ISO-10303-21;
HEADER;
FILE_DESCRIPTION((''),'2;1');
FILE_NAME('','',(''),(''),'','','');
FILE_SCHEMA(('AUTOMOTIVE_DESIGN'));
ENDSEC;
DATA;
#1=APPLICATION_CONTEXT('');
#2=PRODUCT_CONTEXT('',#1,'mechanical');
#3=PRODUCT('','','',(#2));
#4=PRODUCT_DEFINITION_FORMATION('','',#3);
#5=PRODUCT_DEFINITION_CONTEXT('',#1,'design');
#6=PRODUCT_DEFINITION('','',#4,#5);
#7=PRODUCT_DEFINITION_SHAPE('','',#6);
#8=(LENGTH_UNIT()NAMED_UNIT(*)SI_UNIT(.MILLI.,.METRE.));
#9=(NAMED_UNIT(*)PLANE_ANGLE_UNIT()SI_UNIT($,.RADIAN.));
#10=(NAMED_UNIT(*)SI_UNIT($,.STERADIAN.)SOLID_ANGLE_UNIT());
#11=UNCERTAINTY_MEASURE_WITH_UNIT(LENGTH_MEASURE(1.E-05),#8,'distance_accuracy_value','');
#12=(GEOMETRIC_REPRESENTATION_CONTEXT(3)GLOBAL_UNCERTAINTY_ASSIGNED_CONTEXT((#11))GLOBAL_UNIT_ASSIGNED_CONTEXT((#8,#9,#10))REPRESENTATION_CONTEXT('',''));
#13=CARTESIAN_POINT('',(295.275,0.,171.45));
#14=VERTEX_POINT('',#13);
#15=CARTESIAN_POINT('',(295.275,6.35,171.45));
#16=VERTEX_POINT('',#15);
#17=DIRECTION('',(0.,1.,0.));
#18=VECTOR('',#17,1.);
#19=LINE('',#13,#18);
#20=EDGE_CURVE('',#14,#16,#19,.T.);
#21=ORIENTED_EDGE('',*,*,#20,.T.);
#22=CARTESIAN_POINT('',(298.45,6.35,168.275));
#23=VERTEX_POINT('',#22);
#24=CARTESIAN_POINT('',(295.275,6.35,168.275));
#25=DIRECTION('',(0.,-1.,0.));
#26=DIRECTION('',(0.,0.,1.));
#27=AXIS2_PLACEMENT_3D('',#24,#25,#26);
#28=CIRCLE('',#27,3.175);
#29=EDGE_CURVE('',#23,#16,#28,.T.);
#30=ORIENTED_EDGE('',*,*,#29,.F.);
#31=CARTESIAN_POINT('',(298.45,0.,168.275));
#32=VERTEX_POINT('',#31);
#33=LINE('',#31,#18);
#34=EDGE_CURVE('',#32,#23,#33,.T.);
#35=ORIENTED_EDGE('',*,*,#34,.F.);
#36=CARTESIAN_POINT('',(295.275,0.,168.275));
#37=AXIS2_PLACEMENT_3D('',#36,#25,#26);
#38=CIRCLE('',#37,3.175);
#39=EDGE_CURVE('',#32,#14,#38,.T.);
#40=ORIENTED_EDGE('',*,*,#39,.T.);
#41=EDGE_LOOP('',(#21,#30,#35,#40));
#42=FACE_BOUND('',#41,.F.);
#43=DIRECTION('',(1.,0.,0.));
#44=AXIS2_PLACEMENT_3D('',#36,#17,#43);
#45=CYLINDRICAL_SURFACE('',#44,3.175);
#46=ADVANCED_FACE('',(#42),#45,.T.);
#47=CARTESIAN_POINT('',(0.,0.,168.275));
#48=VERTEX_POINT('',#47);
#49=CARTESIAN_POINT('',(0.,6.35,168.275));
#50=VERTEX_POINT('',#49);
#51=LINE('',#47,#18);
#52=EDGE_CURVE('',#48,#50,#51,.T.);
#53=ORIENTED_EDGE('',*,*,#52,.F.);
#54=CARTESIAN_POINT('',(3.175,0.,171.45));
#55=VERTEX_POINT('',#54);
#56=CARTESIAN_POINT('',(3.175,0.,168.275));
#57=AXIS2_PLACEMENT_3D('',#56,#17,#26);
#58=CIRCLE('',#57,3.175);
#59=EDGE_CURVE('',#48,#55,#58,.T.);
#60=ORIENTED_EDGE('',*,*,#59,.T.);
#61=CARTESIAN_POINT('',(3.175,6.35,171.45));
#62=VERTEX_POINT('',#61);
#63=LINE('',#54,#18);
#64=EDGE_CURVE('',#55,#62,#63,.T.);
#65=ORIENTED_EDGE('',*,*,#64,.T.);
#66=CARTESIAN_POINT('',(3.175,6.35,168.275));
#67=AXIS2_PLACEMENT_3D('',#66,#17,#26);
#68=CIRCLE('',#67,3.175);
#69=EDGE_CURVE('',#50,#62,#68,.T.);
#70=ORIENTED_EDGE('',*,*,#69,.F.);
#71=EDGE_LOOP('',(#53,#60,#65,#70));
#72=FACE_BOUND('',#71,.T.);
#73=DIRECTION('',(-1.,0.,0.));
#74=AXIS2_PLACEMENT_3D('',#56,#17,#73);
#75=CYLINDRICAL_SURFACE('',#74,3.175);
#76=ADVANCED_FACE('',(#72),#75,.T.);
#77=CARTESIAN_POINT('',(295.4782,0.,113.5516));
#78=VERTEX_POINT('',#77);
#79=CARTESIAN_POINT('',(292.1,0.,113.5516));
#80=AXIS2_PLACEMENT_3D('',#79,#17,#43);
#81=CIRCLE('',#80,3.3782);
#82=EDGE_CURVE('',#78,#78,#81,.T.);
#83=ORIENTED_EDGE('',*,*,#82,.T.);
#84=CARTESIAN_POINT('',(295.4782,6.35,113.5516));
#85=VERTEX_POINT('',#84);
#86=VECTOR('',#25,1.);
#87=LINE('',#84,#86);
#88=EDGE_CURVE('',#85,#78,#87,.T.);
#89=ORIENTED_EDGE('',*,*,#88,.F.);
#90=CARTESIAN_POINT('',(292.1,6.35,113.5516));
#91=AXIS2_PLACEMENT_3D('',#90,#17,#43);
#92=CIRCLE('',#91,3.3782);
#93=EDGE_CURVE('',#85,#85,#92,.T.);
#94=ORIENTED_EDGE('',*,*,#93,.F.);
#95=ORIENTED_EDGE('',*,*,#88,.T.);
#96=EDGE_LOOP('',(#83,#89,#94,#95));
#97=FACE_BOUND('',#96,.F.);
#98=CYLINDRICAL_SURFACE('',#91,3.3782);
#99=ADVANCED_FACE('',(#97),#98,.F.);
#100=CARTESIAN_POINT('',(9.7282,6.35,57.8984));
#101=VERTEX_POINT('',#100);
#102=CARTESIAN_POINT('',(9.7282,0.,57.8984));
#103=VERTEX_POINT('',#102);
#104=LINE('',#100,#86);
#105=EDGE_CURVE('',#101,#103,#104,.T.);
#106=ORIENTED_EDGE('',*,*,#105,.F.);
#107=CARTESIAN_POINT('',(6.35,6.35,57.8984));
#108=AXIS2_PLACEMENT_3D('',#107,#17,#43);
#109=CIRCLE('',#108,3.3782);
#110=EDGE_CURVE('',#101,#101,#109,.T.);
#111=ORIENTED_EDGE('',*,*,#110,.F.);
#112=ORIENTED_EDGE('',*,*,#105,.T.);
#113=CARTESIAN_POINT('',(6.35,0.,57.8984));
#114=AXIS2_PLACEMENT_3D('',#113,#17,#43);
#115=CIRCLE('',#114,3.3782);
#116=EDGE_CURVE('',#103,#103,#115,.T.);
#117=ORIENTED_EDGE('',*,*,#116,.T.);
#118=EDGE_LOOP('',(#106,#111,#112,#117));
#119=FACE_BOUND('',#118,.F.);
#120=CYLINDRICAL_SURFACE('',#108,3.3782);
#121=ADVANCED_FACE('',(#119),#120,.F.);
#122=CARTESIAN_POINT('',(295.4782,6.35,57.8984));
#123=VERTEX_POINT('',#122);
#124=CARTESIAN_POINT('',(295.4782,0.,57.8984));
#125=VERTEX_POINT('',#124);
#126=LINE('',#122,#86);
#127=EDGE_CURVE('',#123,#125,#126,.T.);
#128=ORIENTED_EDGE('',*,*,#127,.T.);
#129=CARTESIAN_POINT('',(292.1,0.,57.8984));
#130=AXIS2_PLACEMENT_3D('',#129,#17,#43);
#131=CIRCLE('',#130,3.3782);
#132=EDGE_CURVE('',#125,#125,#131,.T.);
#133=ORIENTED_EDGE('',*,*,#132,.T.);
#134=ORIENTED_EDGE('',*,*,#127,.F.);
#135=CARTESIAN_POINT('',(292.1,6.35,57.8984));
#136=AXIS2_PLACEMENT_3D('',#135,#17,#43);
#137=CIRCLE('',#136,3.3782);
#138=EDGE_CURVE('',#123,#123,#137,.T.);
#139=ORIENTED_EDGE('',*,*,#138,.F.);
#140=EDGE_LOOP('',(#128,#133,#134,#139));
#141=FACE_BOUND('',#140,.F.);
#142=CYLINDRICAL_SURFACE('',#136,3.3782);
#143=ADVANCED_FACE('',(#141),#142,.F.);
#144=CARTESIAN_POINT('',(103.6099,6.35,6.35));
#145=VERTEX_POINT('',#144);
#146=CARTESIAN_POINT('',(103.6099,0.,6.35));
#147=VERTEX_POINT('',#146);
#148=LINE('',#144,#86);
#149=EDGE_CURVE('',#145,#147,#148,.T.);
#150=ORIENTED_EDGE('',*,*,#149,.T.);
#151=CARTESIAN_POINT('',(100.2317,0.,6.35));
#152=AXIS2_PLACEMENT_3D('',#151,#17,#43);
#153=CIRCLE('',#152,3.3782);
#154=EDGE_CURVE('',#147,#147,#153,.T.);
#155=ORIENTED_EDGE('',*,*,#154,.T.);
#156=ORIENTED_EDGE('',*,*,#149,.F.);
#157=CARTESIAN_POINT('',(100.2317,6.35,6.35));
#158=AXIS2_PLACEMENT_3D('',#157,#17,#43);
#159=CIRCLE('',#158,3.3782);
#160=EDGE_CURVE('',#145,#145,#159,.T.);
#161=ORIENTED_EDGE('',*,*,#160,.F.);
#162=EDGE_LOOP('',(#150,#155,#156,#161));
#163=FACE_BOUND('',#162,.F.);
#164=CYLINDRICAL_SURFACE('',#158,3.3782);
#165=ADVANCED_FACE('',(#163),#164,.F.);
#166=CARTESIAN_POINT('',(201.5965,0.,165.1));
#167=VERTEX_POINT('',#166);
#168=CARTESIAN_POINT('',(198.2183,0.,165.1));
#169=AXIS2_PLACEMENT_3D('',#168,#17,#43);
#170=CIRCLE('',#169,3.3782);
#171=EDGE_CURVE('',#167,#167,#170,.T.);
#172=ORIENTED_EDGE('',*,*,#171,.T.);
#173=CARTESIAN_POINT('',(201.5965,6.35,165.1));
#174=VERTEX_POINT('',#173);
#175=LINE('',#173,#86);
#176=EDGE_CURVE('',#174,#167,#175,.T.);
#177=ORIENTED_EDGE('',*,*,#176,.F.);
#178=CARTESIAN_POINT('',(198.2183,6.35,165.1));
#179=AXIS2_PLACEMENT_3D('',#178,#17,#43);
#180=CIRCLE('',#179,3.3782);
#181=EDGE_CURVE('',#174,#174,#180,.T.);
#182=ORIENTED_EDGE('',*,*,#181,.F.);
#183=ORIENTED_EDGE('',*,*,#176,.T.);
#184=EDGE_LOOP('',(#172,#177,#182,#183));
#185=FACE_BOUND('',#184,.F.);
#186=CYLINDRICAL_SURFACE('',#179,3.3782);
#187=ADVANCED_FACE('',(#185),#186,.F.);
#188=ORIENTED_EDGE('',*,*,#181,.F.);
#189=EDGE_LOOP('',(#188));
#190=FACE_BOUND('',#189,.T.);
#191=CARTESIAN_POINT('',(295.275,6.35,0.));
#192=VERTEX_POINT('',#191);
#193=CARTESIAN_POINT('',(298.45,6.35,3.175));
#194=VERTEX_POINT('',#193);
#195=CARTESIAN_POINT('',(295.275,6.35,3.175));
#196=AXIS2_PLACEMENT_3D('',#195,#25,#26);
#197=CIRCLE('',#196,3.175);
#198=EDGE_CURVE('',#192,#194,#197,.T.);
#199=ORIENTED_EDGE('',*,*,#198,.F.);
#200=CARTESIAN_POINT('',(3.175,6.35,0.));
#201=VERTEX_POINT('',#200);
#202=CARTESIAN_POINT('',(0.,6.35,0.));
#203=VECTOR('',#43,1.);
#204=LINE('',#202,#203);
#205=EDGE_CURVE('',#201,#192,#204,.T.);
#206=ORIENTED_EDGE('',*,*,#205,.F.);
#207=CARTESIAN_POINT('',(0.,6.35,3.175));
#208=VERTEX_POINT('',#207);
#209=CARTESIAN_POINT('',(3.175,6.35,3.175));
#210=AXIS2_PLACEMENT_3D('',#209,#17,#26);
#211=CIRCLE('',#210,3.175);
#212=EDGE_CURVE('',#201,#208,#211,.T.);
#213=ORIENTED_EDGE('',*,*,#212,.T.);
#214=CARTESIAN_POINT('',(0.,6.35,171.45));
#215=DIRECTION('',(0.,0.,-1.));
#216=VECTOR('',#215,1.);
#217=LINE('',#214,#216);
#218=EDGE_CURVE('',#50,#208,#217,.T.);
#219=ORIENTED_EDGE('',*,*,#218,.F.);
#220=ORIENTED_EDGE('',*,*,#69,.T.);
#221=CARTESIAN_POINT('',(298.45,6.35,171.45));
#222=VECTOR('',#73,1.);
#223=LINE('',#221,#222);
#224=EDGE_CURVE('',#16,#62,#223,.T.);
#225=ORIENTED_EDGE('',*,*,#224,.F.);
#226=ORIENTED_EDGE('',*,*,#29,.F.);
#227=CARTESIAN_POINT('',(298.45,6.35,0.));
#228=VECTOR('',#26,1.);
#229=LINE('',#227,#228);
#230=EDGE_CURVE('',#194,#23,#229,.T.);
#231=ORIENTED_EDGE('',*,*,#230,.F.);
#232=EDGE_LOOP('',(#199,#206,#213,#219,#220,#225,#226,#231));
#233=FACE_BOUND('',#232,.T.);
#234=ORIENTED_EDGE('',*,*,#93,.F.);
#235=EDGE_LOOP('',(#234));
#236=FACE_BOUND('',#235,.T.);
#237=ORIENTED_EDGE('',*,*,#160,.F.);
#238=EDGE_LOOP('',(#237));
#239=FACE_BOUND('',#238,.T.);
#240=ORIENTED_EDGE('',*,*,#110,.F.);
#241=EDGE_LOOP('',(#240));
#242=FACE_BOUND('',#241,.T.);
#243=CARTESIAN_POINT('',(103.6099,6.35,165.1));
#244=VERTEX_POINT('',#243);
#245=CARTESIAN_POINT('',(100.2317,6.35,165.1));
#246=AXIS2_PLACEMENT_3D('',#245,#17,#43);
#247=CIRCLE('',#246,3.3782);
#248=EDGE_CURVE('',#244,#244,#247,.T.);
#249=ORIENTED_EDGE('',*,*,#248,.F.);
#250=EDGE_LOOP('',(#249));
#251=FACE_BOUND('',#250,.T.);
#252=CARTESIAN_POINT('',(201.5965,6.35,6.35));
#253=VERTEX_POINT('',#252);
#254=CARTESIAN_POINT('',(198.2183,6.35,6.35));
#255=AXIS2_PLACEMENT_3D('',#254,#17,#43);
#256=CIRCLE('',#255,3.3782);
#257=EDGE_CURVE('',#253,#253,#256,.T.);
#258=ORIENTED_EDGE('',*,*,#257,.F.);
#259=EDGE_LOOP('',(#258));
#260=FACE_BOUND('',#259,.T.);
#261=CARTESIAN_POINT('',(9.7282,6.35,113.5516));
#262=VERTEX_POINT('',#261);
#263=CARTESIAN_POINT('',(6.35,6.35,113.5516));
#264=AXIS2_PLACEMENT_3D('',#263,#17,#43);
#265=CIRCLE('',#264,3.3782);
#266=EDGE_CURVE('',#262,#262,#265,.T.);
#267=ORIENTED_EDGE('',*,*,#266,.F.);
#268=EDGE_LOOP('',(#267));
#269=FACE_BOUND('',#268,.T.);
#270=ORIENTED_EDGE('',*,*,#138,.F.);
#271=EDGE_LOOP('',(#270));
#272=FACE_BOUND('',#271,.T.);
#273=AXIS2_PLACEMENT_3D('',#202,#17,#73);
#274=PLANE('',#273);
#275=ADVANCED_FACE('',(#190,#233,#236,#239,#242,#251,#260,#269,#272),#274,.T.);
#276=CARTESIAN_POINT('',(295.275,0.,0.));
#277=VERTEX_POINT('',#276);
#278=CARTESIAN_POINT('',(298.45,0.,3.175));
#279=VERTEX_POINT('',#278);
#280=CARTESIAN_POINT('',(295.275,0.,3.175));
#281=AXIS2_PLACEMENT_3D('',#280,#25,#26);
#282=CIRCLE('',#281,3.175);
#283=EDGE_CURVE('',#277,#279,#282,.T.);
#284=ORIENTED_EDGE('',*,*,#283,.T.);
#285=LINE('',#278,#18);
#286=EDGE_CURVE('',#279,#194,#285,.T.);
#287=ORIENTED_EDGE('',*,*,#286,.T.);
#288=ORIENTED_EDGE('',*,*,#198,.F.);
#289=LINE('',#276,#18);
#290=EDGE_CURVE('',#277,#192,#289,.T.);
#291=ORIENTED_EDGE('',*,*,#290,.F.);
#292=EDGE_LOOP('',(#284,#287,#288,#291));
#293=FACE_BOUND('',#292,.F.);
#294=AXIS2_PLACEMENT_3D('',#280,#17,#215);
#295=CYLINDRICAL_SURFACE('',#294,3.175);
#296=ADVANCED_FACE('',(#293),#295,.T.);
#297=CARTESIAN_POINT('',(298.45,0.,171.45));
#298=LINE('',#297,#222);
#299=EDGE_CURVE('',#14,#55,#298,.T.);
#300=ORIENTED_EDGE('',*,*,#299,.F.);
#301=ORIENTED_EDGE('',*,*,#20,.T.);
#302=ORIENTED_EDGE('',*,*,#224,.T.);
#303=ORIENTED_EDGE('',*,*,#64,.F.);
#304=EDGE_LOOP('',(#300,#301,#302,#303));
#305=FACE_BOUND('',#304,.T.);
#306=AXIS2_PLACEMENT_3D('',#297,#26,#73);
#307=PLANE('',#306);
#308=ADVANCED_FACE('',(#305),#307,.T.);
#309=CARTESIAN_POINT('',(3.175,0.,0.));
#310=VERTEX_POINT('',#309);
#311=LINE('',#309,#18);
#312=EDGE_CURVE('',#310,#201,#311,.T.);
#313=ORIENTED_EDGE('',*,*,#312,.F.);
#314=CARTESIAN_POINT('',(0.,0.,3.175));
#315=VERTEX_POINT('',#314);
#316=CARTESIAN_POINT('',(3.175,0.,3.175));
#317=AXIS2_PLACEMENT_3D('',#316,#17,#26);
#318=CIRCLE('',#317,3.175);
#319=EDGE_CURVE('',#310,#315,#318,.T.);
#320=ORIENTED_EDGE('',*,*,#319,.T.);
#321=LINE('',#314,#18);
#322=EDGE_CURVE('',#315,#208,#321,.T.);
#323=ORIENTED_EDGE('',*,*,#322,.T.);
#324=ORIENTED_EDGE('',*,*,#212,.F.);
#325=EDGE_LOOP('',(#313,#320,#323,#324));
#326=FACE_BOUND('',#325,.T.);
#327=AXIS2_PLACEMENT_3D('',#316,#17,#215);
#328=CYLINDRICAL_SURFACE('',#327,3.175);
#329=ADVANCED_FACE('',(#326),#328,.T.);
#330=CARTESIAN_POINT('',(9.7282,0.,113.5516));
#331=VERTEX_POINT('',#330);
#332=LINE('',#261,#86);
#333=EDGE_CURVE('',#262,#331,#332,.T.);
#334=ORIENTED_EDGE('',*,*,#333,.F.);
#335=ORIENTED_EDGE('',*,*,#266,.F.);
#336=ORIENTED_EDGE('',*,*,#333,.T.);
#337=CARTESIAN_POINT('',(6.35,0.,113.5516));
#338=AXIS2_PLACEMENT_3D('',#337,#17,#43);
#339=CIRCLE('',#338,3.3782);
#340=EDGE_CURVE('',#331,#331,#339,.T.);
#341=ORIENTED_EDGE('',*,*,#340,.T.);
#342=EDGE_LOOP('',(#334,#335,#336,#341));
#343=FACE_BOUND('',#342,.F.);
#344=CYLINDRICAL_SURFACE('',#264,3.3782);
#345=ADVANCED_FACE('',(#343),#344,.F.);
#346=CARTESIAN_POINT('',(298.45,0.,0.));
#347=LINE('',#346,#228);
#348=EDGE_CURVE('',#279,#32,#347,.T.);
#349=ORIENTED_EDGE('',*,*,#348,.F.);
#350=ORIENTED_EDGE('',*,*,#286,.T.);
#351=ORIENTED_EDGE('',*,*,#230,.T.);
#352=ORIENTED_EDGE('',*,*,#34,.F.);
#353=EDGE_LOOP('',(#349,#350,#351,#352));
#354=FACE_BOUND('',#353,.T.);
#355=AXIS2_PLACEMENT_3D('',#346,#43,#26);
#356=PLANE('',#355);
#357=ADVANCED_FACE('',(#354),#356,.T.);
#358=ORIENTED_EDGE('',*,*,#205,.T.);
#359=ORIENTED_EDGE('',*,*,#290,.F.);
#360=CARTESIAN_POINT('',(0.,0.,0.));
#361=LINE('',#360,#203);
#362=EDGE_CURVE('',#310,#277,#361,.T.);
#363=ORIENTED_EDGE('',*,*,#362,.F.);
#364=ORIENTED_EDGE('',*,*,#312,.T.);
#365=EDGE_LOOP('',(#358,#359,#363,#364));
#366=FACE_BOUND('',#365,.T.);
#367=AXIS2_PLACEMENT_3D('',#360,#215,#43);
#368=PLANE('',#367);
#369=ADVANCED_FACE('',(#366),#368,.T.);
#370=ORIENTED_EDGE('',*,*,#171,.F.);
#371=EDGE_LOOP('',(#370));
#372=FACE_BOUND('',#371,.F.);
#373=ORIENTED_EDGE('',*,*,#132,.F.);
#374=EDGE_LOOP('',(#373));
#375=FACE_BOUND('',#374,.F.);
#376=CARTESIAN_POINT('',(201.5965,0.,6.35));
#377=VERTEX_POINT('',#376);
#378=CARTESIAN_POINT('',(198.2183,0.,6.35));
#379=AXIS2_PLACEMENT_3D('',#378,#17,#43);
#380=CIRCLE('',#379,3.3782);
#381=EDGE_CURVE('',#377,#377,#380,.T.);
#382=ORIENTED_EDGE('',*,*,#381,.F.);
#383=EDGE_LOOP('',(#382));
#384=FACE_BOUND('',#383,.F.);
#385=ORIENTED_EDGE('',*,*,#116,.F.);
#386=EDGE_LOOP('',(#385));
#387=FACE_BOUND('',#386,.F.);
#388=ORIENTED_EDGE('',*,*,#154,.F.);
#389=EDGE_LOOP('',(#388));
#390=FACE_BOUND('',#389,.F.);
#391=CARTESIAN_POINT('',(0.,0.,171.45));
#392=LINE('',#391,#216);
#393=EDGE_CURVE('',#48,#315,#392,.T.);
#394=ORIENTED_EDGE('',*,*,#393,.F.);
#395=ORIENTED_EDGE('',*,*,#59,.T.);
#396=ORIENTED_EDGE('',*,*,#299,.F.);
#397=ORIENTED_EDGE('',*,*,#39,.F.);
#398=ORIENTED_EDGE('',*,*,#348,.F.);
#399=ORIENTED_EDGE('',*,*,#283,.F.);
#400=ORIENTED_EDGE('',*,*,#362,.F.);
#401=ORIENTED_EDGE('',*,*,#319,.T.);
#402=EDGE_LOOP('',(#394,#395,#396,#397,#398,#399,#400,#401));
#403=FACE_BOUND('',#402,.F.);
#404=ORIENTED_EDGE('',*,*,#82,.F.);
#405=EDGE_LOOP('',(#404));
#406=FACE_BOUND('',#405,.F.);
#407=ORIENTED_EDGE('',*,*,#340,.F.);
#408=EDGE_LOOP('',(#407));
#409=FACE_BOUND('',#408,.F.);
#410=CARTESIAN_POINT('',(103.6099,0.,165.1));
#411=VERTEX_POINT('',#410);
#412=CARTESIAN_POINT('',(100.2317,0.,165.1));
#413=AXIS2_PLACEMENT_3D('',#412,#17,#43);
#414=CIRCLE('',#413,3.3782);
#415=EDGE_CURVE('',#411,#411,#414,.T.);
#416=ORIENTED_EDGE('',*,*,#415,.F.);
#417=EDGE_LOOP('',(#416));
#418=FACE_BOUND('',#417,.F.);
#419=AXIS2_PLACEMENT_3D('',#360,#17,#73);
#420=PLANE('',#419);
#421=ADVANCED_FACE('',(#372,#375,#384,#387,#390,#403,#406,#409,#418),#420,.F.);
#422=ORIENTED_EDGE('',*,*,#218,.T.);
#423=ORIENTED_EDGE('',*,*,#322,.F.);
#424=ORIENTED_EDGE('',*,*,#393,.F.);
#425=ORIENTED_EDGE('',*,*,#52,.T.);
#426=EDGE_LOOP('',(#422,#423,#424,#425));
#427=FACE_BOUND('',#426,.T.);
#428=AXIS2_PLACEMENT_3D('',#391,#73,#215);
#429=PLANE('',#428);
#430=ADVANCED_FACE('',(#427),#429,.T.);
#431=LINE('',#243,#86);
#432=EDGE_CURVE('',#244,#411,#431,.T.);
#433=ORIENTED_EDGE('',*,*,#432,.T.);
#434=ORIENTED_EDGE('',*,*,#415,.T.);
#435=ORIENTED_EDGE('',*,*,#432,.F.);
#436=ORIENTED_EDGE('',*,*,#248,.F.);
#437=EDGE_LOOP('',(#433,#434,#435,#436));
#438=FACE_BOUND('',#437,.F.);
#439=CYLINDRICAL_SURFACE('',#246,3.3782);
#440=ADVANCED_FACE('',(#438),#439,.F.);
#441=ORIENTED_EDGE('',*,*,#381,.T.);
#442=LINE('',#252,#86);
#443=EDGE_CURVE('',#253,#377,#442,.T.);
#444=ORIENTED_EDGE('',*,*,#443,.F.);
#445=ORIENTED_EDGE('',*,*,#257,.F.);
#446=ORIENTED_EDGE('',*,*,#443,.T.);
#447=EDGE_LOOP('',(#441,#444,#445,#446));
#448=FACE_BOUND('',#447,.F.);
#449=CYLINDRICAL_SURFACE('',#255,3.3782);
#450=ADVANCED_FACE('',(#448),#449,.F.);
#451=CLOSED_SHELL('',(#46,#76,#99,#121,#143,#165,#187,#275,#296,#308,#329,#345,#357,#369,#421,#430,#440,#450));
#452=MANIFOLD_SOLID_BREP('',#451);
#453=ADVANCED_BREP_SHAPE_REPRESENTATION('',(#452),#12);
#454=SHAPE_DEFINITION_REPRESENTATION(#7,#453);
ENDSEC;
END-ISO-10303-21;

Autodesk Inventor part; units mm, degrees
ref_plane "YZ Plane" through (0, 0, 0) normal (1, 0, 0) x (0, 1, 0)
ref_plane "XZ Plane" through (0, 0, 0) normal (0, 1, 0) x (-1, 0, 0)
ref_plane "XY Plane" through (0, 0, 0) normal (0, 0, 1) x (1, 0, 0)
sketch "Sketch1" plane through (0, 0, 0) normal (0, 1, 0) x (-1, 0, 0)
  line L0 (0, 0) -> (-298.45, 0)
  line L1 (-298.45, 0) -> (-298.45, 171.45)
  line L2 (-298.45, 171.45) -> (0, 171.45)
  line L3 (0, 171.45) -> (0, 0)
  dimension "d0" = 298.45
  dimension "d1" = 171.45
extrude "Extrusion1" add sketch "Sketch1" along normal blind 6.35
sketch "Sketch3" plane through (0, 6.35, 0) normal (0, 1, 0) x (1, 0, 0)
  circle A0 centre (198.2183, -6.35) radius 3.3782 projected
  circle A1 centre (100.2317, -6.35) radius 3.3782 projected
  circle A2 centre (292.1, -57.8984) radius 3.3782 projected
  circle A3 centre (292.1, -113.5516) radius 3.3782 projected
  circle A4 centre (198.2183, -165.1) radius 3.3782 projected
  circle A5 centre (100.2317, -165.1) radius 3.3782 projected
  circle A6 centre (6.35, -57.8984) radius 3.3782 projected
  circle A7 centre (6.35, -113.5516) radius 3.3782 projected
  point P0 (0, 0)
extrude "Extrusion2" cut sketch "Sketch3" against normal up to next
fillet "Fillet1" radius 3.175 4 edges at (298.45, 3.175, 171.45) (0, 3.175, 171.45) (0, 3.175, 0) (298.45, 3.175, 0)
properties part number "Base" material "ABS Plastic"
